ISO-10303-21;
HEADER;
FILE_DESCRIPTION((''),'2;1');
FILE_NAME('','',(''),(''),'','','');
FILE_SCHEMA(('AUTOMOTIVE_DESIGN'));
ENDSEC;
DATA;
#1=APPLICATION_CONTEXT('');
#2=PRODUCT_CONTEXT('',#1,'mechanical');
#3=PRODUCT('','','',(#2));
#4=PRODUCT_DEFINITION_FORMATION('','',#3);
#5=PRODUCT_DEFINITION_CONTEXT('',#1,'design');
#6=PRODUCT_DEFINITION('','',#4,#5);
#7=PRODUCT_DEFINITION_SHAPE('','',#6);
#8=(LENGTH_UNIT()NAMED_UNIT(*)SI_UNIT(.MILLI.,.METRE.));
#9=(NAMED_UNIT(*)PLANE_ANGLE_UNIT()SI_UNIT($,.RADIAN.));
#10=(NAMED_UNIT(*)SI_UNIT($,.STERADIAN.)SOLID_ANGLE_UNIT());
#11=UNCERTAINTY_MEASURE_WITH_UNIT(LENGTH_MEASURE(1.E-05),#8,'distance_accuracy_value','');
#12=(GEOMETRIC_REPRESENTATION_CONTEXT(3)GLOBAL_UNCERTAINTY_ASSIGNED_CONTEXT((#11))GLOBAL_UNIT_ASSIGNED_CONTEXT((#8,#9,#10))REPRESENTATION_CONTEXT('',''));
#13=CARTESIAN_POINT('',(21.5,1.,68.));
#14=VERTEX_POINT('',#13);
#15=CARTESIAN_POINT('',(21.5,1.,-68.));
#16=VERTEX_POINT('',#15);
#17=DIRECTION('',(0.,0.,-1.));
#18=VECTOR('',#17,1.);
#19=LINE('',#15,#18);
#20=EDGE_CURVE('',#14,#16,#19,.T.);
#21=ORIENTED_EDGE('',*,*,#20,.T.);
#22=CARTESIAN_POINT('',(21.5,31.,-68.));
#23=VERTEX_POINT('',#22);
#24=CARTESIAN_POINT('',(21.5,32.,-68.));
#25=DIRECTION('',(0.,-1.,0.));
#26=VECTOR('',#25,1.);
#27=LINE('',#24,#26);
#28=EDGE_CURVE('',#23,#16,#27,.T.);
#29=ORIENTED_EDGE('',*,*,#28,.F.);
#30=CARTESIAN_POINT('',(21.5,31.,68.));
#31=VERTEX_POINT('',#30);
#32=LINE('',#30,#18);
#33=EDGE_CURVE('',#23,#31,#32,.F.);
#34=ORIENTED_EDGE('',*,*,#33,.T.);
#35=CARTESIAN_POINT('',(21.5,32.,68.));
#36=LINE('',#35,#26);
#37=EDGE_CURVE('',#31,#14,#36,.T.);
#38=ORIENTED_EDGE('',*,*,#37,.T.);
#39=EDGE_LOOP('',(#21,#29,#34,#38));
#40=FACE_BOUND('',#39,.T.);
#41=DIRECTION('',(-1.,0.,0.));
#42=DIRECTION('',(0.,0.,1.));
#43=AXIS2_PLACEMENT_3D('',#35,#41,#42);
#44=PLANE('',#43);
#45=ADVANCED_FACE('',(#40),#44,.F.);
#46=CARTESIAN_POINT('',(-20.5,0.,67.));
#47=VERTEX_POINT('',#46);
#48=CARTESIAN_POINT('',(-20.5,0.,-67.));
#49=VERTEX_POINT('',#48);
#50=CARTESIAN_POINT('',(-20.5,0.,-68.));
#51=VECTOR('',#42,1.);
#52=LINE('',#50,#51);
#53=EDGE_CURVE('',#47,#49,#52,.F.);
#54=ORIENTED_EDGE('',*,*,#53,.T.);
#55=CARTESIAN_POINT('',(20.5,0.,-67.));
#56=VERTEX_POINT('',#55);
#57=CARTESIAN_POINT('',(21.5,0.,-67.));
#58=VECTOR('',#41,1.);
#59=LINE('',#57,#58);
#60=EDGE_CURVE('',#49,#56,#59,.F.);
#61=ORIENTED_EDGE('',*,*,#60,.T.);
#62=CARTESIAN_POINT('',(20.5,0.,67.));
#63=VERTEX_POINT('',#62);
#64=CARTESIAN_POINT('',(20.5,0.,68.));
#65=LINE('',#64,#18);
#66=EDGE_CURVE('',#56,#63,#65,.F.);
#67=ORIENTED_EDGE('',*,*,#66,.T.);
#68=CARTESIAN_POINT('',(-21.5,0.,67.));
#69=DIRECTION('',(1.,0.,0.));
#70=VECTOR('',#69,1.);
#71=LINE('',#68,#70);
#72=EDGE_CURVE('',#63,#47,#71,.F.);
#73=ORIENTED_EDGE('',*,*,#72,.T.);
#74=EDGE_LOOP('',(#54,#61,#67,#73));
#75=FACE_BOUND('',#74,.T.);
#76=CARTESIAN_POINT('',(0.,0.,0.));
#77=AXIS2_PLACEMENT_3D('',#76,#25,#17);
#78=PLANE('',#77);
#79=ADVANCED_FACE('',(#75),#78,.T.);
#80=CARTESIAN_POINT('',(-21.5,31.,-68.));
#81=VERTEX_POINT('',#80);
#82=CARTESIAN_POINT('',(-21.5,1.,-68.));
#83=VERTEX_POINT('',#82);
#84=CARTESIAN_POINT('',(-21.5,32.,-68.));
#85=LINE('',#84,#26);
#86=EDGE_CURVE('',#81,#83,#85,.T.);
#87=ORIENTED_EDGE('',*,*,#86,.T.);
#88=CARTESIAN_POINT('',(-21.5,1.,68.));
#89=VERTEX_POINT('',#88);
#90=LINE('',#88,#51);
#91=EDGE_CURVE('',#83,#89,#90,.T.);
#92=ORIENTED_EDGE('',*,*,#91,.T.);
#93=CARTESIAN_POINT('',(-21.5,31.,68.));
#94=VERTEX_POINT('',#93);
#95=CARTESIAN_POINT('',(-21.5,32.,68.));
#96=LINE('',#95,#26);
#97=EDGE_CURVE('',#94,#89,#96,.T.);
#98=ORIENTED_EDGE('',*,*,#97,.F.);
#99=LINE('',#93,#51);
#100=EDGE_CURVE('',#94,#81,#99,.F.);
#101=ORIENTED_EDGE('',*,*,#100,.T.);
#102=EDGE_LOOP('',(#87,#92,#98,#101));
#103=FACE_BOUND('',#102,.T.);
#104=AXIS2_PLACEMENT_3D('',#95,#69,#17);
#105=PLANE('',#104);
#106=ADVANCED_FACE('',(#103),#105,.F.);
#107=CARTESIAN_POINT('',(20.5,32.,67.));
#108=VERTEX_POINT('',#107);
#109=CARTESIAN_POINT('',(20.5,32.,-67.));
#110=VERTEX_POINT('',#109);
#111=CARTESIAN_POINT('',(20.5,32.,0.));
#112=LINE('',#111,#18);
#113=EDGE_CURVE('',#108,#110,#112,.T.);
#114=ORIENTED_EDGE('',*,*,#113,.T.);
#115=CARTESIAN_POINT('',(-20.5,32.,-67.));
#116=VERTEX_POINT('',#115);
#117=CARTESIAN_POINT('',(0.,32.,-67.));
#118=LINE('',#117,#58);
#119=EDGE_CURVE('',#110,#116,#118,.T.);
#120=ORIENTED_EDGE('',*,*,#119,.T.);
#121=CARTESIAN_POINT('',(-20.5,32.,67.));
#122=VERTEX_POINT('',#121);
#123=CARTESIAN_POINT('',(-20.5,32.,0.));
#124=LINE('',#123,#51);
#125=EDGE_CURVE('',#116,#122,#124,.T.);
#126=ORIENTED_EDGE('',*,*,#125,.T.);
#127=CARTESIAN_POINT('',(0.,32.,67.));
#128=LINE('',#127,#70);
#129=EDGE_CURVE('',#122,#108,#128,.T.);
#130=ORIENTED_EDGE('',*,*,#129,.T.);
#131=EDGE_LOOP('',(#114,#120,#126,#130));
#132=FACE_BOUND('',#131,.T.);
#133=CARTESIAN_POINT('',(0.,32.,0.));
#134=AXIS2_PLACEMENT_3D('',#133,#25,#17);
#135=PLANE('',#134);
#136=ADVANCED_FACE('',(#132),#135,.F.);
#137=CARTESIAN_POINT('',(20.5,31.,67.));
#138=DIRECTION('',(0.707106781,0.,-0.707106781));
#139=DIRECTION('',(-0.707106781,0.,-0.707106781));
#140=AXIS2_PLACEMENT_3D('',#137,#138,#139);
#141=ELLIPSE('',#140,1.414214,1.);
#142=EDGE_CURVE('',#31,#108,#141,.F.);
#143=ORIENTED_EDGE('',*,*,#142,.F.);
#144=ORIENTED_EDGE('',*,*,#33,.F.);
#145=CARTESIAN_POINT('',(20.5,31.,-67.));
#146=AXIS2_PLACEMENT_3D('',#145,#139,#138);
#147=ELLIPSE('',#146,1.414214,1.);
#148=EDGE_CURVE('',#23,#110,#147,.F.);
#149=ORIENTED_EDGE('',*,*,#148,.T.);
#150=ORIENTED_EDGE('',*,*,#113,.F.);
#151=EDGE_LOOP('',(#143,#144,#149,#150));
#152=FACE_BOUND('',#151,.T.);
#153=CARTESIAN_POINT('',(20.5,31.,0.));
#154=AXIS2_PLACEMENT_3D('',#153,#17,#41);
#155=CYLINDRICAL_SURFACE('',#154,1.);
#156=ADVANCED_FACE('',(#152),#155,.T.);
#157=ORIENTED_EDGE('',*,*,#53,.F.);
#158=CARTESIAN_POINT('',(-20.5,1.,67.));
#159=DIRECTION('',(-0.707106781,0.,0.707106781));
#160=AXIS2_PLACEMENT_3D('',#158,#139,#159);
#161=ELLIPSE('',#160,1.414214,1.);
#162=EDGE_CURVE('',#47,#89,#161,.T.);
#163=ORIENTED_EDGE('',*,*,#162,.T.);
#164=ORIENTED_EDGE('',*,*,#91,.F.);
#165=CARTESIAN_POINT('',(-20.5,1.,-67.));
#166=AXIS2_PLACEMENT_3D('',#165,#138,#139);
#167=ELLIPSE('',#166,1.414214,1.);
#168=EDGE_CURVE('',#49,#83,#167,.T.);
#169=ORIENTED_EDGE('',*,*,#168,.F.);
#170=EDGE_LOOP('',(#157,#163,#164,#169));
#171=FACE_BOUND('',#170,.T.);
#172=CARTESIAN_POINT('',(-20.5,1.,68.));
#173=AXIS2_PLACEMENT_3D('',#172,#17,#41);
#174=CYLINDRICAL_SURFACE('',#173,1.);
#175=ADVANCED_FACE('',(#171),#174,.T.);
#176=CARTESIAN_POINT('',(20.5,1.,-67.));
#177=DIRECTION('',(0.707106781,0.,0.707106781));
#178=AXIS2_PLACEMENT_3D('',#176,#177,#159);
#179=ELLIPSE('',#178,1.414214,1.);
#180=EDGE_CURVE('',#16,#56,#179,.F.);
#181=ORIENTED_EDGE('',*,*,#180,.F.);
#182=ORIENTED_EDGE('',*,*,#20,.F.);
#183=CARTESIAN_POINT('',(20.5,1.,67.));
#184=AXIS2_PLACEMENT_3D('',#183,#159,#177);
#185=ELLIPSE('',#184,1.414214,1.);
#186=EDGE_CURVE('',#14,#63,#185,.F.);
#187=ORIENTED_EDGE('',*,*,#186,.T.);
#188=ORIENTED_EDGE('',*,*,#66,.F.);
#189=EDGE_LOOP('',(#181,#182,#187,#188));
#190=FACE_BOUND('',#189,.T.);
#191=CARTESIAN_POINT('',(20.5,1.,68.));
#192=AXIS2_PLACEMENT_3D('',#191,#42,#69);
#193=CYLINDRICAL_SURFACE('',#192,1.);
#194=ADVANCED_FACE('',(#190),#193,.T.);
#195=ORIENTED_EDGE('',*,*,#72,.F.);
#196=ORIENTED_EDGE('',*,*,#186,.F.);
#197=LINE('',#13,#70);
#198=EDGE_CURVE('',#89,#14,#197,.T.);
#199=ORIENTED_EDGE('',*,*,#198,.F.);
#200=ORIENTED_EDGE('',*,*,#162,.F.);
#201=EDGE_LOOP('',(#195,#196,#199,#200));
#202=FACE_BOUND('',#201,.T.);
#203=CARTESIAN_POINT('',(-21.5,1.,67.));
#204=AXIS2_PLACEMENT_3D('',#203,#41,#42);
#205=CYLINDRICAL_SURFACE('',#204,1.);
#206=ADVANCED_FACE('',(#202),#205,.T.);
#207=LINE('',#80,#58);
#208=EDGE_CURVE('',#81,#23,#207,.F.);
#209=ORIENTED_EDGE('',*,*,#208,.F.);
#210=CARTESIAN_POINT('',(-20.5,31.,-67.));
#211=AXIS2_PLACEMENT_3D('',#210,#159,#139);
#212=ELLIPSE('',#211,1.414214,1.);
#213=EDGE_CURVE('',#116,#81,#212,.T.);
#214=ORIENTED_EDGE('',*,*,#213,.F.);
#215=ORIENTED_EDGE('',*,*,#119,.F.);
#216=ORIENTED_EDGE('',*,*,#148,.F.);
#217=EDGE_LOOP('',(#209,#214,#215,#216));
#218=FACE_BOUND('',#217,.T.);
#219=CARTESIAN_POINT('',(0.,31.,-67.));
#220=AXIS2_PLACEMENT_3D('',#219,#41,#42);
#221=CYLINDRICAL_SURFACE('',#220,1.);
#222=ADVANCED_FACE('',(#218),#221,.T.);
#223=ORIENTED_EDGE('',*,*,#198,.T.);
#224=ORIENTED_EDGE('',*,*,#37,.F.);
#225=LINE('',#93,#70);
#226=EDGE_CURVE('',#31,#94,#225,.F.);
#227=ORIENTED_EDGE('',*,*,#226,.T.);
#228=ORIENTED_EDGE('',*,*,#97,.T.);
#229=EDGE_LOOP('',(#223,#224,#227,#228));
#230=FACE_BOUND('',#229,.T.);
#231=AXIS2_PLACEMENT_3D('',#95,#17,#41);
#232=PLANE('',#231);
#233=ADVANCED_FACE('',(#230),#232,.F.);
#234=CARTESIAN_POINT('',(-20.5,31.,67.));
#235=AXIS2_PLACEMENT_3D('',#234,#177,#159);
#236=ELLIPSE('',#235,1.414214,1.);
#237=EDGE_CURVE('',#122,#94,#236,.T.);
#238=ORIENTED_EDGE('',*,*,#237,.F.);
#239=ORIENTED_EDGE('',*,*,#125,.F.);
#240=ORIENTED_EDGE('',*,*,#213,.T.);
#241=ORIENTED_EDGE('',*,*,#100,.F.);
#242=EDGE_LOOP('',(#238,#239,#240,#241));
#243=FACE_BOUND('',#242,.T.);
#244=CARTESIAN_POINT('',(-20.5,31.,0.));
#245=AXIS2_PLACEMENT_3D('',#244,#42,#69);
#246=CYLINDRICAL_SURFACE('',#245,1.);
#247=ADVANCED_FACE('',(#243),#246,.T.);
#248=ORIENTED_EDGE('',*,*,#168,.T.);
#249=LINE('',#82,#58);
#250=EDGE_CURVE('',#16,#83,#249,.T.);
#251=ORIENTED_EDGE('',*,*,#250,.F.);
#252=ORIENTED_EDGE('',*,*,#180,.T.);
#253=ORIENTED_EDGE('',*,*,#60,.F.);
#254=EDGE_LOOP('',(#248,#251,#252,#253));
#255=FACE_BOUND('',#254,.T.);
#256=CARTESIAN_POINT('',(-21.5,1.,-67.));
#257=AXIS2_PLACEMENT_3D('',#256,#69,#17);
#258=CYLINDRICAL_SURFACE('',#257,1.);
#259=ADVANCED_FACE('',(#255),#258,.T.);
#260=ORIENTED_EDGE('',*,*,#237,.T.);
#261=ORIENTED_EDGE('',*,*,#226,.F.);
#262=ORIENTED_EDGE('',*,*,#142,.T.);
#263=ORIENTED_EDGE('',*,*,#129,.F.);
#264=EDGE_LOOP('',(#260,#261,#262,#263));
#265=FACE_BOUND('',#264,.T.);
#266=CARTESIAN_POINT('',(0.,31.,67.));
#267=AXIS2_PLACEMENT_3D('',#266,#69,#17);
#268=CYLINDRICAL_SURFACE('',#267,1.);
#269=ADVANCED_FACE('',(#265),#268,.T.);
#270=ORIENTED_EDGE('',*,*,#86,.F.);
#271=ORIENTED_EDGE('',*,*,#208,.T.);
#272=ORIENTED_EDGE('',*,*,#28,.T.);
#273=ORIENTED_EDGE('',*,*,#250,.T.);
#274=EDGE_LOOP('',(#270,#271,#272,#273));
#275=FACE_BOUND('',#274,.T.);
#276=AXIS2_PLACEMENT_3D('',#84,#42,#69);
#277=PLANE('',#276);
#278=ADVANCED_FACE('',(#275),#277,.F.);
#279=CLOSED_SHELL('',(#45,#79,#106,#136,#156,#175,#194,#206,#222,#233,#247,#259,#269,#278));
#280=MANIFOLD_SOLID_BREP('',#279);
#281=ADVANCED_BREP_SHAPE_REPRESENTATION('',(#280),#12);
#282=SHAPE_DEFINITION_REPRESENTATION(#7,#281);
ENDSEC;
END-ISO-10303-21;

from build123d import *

# Parameters (mm, degrees)
SKETCH_1_W      = 43
SKETCH_1_H      = 136
EXTRUDE_1_DEPTH = 32
FILLET_1_R      = 1


with BuildPart() as part:
    # 草图1 → 凸台-拉伸1 (new body)
    with BuildSketch(Plane(origin=(0, 0, 0), x_dir=(1, 0, 0), z_dir=(0, 1, 0))):
        Rectangle(SKETCH_1_W, SKETCH_1_H)
    extrude(amount=EXTRUDE_1_DEPTH)

    # 圆角1
    fillet_1_edges = [part.edges().sort_by_distance(p)[0] for p in [
        (-21.5, 32, 0),
        (0, 32, 68),
        (21.5, 32, 0),
        (0, 0, 68),
        (-21.5, 0, 0),
        (0, 0, -68),
        (21.5, 0, 0),
        (0, 32, -68),
    ]]
    fillet(fillet_1_edges, radius=FILLET_1_R)


solid = part.part
